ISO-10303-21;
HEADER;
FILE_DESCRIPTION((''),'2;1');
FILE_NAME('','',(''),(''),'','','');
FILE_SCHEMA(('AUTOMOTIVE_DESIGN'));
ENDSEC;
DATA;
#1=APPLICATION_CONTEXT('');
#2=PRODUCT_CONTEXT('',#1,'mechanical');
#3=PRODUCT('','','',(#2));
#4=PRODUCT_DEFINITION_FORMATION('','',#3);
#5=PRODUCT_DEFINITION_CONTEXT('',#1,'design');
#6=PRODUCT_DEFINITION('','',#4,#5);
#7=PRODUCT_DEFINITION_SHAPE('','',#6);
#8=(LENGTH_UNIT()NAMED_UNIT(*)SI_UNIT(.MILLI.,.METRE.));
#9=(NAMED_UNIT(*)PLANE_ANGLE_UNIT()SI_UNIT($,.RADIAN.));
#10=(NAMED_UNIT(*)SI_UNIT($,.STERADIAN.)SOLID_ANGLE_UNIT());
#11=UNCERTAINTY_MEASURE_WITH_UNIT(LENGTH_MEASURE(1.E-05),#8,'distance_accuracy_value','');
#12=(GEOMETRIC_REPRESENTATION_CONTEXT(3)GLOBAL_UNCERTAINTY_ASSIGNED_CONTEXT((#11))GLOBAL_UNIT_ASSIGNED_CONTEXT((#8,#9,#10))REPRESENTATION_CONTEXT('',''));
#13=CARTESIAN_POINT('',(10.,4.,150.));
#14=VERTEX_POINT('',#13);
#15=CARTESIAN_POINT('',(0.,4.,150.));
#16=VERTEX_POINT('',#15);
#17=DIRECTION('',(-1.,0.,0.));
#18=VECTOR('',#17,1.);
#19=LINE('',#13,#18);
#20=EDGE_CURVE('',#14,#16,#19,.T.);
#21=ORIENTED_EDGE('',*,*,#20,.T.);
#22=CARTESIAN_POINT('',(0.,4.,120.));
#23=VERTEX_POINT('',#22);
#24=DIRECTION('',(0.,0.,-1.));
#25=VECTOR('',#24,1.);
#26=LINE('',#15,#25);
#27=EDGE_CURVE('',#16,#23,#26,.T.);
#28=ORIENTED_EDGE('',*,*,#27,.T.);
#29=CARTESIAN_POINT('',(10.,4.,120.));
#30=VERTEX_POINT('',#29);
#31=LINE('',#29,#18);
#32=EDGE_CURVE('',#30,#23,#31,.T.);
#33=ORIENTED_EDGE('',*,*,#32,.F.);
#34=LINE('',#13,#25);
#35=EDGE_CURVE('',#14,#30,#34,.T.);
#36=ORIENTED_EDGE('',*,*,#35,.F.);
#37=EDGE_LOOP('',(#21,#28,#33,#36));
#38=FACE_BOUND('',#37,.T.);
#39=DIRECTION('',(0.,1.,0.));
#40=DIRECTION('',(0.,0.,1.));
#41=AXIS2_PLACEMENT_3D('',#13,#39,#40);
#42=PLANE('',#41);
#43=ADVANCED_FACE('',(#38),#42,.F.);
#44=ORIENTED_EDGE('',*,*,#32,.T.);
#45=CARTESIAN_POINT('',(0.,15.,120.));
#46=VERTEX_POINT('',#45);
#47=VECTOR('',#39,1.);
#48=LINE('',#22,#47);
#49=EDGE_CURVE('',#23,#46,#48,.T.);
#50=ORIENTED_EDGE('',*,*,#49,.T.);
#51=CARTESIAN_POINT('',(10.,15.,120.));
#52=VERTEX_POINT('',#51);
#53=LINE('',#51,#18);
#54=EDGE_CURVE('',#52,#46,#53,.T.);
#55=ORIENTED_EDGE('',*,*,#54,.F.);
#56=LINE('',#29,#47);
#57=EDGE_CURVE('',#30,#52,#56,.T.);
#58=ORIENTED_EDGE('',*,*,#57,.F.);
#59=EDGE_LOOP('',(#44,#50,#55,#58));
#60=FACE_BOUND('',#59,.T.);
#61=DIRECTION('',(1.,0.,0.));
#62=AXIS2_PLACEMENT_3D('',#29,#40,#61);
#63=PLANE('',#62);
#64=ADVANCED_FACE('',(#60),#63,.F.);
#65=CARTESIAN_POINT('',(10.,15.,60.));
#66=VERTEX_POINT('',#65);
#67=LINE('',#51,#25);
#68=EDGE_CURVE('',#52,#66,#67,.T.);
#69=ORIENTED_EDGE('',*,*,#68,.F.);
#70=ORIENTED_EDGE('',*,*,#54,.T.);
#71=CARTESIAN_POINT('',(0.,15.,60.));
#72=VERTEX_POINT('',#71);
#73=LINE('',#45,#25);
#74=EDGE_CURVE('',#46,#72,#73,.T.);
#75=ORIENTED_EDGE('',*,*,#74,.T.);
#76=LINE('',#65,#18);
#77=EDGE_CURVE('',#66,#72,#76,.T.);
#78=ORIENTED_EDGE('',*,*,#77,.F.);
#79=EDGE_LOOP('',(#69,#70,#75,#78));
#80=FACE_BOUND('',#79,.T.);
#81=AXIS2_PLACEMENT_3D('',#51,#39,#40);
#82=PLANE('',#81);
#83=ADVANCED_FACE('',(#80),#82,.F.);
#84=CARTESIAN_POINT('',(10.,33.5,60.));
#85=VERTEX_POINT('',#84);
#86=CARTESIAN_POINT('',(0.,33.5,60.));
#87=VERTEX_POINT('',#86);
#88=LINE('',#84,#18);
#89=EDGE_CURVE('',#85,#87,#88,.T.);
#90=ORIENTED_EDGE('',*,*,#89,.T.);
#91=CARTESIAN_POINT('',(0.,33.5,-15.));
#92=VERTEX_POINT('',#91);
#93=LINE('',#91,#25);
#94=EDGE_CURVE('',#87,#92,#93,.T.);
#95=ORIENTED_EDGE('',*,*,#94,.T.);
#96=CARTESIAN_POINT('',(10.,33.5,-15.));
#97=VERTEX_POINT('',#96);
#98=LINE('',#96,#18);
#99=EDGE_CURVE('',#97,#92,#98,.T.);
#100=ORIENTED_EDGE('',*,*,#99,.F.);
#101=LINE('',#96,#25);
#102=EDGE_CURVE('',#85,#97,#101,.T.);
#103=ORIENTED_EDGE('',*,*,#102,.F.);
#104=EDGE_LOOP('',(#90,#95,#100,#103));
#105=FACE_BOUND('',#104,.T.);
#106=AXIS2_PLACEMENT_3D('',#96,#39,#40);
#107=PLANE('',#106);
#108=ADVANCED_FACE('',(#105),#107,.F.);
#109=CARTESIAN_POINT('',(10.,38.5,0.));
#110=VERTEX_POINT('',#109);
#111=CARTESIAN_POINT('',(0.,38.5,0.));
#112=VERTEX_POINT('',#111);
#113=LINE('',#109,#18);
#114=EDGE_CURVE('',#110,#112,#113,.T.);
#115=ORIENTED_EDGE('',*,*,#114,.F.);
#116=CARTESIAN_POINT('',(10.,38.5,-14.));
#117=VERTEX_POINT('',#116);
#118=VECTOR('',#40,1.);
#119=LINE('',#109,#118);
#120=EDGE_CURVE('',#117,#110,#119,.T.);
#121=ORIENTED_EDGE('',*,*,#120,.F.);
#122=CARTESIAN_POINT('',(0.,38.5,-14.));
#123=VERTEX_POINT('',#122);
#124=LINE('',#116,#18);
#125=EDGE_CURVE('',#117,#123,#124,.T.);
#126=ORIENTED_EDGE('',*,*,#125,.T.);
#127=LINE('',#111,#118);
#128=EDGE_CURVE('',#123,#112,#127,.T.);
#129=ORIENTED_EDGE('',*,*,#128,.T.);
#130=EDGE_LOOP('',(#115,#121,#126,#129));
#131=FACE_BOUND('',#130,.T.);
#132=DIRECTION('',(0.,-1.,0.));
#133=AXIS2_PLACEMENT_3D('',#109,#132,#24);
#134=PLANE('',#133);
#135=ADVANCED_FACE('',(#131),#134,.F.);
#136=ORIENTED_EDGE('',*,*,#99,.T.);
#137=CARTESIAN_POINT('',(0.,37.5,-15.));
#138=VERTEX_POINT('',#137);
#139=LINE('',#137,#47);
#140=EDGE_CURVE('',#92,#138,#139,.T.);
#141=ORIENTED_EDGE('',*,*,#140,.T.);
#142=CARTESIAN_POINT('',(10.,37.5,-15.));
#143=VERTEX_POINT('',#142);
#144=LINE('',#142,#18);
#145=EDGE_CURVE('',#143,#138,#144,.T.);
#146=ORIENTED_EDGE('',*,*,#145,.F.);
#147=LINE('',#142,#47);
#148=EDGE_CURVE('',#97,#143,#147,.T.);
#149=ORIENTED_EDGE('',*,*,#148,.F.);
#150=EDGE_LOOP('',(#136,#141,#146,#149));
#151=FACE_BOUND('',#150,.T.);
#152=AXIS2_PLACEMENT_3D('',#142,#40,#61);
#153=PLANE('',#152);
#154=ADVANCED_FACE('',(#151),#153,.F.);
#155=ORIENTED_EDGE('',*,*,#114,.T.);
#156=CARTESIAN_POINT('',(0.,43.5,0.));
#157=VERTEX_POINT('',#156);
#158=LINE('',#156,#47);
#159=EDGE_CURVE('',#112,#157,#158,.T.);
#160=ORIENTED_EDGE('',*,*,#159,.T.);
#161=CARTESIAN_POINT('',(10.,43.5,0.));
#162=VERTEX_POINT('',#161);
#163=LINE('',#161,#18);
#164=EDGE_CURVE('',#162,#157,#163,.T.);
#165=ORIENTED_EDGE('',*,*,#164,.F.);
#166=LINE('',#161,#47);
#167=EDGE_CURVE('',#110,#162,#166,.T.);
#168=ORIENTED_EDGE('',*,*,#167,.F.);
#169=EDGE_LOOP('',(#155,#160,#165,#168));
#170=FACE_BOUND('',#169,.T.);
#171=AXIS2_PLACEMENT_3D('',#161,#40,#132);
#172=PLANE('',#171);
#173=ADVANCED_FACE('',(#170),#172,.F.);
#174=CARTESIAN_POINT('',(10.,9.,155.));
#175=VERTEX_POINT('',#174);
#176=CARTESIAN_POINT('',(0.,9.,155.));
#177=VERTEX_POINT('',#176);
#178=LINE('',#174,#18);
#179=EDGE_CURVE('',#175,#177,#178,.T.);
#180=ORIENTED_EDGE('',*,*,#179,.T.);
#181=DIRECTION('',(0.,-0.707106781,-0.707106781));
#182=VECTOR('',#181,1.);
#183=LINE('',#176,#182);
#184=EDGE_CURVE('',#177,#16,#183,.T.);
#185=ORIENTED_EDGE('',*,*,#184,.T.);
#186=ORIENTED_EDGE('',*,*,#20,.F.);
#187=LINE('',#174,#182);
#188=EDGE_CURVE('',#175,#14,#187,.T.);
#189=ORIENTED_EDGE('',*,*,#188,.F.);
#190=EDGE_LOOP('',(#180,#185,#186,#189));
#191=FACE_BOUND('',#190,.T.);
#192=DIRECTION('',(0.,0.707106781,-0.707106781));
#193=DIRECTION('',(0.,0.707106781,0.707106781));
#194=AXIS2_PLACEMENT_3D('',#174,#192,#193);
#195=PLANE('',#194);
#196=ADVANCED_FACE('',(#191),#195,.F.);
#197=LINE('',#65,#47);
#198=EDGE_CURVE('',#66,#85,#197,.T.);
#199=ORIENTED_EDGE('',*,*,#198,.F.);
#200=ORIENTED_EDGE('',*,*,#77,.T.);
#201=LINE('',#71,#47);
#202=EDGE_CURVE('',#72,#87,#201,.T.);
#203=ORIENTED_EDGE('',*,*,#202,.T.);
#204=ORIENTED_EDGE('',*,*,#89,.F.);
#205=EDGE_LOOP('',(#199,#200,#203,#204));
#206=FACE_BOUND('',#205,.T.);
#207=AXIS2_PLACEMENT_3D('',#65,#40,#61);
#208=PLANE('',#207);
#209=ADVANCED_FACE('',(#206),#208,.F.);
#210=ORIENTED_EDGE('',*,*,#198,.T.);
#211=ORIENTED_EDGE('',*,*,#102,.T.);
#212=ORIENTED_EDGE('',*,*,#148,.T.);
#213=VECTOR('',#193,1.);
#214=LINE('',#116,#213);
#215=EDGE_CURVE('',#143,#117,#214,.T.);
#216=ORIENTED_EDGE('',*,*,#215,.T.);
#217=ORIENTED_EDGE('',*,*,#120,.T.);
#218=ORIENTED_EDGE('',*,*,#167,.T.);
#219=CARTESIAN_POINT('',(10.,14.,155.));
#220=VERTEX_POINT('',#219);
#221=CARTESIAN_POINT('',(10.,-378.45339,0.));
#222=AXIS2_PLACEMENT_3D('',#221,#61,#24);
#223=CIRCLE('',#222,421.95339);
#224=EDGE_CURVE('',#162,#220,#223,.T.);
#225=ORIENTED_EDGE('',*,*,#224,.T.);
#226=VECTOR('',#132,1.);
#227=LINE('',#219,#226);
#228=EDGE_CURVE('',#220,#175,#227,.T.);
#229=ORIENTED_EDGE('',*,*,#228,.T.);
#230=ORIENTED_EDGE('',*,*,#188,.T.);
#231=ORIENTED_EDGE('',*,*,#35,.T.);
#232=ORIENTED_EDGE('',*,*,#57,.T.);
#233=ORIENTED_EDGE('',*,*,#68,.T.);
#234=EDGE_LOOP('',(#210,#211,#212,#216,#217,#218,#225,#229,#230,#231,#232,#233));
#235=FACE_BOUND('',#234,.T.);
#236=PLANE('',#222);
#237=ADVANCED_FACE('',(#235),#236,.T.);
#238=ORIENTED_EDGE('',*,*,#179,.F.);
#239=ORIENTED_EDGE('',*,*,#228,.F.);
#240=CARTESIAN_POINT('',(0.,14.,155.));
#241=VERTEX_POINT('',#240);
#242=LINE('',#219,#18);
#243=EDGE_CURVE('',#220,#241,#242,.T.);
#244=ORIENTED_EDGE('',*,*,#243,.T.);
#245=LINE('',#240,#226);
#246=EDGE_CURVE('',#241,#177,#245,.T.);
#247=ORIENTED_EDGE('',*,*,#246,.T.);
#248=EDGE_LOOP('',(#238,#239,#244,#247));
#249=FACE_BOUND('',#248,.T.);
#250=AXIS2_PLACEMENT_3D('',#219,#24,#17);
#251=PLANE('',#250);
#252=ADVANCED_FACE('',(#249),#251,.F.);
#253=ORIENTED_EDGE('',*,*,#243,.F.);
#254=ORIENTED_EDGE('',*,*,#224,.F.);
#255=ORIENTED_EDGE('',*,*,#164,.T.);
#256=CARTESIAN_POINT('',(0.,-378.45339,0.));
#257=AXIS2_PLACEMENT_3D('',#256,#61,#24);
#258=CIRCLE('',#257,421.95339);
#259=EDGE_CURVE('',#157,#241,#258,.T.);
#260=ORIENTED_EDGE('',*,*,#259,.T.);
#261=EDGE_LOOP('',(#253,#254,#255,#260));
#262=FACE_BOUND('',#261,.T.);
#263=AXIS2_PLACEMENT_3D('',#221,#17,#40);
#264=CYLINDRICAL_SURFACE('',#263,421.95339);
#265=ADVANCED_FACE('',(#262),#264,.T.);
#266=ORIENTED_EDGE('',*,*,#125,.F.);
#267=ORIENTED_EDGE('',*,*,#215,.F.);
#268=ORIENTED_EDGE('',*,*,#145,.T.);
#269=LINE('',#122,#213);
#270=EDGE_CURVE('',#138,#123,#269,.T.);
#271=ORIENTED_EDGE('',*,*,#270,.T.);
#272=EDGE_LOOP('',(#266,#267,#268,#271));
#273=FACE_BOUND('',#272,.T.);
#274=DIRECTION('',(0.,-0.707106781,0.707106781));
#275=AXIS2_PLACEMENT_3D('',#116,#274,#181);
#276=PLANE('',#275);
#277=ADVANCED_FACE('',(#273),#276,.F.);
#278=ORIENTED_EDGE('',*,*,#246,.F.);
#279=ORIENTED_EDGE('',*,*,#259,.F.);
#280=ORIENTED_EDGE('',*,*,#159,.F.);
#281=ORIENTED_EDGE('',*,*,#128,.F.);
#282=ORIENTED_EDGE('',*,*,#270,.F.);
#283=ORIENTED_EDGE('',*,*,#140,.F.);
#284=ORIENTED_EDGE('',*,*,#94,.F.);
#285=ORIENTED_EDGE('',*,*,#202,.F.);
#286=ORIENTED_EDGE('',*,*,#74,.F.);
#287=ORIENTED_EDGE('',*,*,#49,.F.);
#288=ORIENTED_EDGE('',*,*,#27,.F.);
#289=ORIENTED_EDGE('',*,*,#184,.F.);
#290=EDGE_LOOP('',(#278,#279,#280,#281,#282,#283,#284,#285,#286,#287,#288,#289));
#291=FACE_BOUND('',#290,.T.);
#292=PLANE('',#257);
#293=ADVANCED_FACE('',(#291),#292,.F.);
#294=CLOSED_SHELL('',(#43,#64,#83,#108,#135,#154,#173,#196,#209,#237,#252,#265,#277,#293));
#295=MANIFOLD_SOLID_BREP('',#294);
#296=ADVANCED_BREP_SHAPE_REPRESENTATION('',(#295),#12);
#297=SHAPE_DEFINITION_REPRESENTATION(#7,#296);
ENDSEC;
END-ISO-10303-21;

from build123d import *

# Parameters (mm, degrees)
EXTRUDE1_DEPTH = 10


with BuildPart() as part:
    # Sketch1<2> → Extrude1 (new body)
    with BuildSketch(Plane(origin=(0, 0, 0), x_dir=(0, 0, -1), z_dir=(1, 0, 0))):
        with BuildLine():
            Line((-155, 14), (-155, 9))
            Line((-155, 9), (-150, 4))
            Line((-150, 4), (-120, 4))
            Line((-120, 4), (-120, 15))
            Line((-120, 15), (-60, 15))
            Line((-60, 15), (-60, 33.5))
            Line((-60, 33.5), (15, 33.5))
            Line((15, 33.5), (15, 37.5))
            Line((15, 37.5), (14, 38.5))
            Line((14, 38.5), (0, 38.5))
            Line((0, 38.5), (0, 43.5))
            ThreePointArc((0, 43.5), (-78.891143356, 36.059397294), (-155, 14))
        make_face()
    extrude(amount=EXTRUDE1_DEPTH)


solid = part.part
